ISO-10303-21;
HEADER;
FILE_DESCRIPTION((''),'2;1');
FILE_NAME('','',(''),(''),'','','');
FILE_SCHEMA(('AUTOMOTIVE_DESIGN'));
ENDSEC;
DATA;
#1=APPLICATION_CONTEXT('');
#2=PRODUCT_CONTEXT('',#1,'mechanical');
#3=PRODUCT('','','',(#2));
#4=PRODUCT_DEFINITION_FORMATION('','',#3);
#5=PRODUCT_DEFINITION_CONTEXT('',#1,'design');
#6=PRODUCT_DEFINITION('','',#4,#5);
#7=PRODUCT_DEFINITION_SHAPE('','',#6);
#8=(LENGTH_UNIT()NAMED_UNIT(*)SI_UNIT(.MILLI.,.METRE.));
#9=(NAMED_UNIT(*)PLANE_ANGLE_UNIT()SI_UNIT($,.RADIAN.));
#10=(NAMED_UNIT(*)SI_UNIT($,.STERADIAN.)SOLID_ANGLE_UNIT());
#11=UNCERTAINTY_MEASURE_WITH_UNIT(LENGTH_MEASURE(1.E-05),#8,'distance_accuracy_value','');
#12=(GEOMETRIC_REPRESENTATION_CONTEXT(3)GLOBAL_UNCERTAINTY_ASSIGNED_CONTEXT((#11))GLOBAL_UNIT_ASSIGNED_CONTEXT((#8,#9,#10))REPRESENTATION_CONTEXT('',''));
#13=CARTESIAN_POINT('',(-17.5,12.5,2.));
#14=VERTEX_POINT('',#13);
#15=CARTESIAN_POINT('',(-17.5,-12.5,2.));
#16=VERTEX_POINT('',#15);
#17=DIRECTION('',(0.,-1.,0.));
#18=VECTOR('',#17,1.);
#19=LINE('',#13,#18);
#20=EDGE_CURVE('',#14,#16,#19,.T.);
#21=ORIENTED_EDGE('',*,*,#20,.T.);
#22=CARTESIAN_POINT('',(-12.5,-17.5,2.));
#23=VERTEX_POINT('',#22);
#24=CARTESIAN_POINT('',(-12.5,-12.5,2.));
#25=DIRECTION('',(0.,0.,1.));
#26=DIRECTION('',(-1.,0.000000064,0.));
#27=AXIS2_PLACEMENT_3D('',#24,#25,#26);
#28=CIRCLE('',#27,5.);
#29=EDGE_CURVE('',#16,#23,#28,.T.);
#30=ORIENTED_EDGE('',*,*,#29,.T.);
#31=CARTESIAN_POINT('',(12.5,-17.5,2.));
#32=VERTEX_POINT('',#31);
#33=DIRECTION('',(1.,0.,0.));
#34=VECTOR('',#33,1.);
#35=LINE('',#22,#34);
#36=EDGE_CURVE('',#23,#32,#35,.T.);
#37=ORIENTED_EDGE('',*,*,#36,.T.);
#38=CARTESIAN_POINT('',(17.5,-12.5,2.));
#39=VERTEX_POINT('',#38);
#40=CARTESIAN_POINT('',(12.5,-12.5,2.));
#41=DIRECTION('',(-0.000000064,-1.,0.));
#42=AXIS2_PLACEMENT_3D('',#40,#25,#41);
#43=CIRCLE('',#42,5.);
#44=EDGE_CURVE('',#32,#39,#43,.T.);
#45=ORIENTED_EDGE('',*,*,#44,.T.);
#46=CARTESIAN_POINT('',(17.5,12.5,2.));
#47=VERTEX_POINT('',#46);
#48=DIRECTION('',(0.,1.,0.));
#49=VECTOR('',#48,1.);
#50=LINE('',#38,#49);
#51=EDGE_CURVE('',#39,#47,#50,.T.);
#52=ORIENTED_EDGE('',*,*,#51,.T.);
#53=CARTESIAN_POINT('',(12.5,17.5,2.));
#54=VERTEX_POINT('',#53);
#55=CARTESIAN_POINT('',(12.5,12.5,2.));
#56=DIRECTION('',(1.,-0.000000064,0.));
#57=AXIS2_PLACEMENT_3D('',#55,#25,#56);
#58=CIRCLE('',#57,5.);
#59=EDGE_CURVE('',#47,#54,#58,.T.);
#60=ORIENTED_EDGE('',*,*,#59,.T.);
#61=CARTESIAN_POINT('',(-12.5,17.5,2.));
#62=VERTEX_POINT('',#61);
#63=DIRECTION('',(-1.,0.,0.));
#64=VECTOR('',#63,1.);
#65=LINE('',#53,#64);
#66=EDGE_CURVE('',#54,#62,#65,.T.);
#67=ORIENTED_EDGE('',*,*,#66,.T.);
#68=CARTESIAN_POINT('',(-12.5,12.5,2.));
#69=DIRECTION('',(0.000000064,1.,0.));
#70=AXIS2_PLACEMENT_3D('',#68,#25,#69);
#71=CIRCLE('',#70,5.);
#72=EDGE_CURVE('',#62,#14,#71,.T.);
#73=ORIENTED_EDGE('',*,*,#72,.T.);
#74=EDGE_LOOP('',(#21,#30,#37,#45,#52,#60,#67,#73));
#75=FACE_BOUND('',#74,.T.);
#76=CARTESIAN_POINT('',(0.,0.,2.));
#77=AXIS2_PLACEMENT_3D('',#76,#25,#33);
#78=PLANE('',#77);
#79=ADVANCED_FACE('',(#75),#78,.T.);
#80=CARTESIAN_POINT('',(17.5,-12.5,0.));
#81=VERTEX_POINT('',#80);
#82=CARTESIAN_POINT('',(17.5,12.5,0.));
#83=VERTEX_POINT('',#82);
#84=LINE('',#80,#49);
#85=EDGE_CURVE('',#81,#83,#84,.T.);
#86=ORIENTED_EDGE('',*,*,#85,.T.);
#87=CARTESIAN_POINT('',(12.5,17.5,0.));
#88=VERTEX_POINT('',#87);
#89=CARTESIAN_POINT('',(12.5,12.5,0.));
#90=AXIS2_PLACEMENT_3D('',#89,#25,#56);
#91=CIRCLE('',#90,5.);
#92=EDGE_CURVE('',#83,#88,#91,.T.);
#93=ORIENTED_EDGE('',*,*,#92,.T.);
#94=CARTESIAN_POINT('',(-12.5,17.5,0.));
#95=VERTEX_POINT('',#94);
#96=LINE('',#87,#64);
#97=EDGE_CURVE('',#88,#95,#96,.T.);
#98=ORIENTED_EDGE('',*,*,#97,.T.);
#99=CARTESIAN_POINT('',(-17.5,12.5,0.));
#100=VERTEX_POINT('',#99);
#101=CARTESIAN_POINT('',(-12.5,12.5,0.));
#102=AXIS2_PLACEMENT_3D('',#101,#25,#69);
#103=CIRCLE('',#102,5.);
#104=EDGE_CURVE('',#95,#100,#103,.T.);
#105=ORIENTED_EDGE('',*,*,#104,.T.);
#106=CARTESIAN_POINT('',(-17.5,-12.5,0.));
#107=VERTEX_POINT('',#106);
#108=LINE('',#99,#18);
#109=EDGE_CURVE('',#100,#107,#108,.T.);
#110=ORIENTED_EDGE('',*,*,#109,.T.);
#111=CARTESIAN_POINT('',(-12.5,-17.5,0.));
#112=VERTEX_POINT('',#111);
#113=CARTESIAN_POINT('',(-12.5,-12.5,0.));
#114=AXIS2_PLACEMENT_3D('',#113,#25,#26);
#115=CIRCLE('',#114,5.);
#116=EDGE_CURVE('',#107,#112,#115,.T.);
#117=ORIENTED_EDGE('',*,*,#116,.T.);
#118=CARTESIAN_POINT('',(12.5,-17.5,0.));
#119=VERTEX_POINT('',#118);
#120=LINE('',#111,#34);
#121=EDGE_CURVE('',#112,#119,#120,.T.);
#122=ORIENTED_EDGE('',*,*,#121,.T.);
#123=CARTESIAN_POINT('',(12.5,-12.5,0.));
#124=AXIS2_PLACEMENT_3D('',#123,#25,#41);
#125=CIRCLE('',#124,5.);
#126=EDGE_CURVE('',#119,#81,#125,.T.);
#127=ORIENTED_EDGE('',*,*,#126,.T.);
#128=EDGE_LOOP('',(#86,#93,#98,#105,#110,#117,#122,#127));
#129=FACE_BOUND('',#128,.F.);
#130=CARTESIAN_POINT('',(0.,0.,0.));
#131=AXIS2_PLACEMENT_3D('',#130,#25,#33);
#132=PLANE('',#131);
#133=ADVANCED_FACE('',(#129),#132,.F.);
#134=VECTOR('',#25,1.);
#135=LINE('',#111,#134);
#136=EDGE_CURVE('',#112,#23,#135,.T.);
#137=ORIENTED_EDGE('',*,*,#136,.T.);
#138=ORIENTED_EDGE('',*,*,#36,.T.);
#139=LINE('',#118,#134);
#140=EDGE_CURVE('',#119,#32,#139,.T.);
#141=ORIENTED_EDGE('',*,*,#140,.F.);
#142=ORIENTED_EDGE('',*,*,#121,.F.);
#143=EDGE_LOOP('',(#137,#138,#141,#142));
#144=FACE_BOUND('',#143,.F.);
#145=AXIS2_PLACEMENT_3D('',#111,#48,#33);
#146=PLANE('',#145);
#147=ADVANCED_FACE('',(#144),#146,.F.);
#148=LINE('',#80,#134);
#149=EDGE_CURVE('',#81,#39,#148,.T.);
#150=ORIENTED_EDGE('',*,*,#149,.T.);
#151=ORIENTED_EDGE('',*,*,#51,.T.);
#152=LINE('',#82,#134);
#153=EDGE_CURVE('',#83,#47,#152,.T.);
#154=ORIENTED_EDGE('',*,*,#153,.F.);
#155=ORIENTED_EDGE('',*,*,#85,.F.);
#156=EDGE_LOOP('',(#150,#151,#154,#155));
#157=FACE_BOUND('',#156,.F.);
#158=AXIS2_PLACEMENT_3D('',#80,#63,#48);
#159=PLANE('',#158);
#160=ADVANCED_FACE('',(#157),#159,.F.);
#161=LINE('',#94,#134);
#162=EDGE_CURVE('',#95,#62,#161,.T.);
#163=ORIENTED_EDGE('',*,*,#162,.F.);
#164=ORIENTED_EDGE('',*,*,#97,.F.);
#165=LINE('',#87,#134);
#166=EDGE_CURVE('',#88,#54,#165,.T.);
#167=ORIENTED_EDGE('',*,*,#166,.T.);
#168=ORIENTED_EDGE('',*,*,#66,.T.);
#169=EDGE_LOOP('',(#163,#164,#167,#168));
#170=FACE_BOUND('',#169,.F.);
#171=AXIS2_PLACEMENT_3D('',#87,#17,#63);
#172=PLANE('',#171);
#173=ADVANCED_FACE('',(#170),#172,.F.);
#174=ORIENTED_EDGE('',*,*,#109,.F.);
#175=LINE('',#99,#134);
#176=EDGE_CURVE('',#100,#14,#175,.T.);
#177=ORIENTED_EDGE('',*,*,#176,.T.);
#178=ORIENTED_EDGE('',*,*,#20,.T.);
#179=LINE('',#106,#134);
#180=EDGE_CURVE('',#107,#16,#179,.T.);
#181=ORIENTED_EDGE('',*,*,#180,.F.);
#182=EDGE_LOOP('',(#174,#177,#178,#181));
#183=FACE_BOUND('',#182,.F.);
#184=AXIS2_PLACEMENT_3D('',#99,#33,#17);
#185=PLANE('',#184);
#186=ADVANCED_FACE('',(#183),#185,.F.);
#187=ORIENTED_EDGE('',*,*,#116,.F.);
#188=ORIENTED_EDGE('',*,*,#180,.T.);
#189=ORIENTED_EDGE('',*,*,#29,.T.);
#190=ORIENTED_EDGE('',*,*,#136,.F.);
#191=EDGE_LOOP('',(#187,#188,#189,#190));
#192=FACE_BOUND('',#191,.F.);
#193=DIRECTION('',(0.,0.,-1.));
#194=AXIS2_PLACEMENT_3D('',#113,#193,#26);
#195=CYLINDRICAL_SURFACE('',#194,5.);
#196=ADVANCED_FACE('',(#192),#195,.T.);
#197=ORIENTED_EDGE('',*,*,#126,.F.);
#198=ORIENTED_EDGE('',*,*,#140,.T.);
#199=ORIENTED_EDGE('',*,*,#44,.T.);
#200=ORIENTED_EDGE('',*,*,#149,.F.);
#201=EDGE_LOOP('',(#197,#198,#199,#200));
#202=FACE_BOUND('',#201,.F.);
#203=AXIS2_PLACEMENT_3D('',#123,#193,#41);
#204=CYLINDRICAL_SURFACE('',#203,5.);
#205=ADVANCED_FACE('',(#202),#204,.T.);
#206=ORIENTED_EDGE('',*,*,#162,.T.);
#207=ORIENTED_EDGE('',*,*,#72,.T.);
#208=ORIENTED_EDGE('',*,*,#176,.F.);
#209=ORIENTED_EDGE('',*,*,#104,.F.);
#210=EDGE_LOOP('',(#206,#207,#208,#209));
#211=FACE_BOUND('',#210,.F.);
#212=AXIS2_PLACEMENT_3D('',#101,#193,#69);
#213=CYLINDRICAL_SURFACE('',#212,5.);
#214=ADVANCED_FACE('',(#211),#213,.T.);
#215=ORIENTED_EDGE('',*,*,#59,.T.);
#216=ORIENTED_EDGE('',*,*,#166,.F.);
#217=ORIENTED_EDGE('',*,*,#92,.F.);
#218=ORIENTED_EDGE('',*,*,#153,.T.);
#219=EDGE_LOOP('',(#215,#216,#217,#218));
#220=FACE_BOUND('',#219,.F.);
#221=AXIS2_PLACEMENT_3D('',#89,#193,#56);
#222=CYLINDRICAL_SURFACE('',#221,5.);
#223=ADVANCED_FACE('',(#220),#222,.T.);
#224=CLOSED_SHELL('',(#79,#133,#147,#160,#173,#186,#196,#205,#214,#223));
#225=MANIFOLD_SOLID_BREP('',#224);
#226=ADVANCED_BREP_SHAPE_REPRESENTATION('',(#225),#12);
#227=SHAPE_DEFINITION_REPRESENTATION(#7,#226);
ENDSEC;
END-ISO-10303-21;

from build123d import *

# Parameters (mm, degrees)
PAD_DEPTH = 2


with BuildPart() as part:
    # Sketch → Pad (new body)
    with BuildSketch(Plane.XY):
        with BuildLine():
            Line((-17.5, 12.5), (-17.5, -12.5))
            ThreePointArc((-17.5, -12.5), (-16.035534, -16.035534), (-12.5, -17.5))
            Line((-12.5, -17.5), (12.5, -17.5))
            ThreePointArc((12.5, -17.5), (16.035534, -16.035534), (17.5, -12.5))
            Line((17.5, -12.5), (17.5, 12.5))
            ThreePointArc((17.5, 12.5), (16.035534, 16.035534), (12.5, 17.5))
            Line((12.5, 17.5), (-12.5, 17.5))
            ThreePointArc((-12.5, 17.5), (-16.035534, 16.035534), (-17.5, 12.5))
        make_face()
    extrude(amount=PAD_DEPTH)


solid = part.part
